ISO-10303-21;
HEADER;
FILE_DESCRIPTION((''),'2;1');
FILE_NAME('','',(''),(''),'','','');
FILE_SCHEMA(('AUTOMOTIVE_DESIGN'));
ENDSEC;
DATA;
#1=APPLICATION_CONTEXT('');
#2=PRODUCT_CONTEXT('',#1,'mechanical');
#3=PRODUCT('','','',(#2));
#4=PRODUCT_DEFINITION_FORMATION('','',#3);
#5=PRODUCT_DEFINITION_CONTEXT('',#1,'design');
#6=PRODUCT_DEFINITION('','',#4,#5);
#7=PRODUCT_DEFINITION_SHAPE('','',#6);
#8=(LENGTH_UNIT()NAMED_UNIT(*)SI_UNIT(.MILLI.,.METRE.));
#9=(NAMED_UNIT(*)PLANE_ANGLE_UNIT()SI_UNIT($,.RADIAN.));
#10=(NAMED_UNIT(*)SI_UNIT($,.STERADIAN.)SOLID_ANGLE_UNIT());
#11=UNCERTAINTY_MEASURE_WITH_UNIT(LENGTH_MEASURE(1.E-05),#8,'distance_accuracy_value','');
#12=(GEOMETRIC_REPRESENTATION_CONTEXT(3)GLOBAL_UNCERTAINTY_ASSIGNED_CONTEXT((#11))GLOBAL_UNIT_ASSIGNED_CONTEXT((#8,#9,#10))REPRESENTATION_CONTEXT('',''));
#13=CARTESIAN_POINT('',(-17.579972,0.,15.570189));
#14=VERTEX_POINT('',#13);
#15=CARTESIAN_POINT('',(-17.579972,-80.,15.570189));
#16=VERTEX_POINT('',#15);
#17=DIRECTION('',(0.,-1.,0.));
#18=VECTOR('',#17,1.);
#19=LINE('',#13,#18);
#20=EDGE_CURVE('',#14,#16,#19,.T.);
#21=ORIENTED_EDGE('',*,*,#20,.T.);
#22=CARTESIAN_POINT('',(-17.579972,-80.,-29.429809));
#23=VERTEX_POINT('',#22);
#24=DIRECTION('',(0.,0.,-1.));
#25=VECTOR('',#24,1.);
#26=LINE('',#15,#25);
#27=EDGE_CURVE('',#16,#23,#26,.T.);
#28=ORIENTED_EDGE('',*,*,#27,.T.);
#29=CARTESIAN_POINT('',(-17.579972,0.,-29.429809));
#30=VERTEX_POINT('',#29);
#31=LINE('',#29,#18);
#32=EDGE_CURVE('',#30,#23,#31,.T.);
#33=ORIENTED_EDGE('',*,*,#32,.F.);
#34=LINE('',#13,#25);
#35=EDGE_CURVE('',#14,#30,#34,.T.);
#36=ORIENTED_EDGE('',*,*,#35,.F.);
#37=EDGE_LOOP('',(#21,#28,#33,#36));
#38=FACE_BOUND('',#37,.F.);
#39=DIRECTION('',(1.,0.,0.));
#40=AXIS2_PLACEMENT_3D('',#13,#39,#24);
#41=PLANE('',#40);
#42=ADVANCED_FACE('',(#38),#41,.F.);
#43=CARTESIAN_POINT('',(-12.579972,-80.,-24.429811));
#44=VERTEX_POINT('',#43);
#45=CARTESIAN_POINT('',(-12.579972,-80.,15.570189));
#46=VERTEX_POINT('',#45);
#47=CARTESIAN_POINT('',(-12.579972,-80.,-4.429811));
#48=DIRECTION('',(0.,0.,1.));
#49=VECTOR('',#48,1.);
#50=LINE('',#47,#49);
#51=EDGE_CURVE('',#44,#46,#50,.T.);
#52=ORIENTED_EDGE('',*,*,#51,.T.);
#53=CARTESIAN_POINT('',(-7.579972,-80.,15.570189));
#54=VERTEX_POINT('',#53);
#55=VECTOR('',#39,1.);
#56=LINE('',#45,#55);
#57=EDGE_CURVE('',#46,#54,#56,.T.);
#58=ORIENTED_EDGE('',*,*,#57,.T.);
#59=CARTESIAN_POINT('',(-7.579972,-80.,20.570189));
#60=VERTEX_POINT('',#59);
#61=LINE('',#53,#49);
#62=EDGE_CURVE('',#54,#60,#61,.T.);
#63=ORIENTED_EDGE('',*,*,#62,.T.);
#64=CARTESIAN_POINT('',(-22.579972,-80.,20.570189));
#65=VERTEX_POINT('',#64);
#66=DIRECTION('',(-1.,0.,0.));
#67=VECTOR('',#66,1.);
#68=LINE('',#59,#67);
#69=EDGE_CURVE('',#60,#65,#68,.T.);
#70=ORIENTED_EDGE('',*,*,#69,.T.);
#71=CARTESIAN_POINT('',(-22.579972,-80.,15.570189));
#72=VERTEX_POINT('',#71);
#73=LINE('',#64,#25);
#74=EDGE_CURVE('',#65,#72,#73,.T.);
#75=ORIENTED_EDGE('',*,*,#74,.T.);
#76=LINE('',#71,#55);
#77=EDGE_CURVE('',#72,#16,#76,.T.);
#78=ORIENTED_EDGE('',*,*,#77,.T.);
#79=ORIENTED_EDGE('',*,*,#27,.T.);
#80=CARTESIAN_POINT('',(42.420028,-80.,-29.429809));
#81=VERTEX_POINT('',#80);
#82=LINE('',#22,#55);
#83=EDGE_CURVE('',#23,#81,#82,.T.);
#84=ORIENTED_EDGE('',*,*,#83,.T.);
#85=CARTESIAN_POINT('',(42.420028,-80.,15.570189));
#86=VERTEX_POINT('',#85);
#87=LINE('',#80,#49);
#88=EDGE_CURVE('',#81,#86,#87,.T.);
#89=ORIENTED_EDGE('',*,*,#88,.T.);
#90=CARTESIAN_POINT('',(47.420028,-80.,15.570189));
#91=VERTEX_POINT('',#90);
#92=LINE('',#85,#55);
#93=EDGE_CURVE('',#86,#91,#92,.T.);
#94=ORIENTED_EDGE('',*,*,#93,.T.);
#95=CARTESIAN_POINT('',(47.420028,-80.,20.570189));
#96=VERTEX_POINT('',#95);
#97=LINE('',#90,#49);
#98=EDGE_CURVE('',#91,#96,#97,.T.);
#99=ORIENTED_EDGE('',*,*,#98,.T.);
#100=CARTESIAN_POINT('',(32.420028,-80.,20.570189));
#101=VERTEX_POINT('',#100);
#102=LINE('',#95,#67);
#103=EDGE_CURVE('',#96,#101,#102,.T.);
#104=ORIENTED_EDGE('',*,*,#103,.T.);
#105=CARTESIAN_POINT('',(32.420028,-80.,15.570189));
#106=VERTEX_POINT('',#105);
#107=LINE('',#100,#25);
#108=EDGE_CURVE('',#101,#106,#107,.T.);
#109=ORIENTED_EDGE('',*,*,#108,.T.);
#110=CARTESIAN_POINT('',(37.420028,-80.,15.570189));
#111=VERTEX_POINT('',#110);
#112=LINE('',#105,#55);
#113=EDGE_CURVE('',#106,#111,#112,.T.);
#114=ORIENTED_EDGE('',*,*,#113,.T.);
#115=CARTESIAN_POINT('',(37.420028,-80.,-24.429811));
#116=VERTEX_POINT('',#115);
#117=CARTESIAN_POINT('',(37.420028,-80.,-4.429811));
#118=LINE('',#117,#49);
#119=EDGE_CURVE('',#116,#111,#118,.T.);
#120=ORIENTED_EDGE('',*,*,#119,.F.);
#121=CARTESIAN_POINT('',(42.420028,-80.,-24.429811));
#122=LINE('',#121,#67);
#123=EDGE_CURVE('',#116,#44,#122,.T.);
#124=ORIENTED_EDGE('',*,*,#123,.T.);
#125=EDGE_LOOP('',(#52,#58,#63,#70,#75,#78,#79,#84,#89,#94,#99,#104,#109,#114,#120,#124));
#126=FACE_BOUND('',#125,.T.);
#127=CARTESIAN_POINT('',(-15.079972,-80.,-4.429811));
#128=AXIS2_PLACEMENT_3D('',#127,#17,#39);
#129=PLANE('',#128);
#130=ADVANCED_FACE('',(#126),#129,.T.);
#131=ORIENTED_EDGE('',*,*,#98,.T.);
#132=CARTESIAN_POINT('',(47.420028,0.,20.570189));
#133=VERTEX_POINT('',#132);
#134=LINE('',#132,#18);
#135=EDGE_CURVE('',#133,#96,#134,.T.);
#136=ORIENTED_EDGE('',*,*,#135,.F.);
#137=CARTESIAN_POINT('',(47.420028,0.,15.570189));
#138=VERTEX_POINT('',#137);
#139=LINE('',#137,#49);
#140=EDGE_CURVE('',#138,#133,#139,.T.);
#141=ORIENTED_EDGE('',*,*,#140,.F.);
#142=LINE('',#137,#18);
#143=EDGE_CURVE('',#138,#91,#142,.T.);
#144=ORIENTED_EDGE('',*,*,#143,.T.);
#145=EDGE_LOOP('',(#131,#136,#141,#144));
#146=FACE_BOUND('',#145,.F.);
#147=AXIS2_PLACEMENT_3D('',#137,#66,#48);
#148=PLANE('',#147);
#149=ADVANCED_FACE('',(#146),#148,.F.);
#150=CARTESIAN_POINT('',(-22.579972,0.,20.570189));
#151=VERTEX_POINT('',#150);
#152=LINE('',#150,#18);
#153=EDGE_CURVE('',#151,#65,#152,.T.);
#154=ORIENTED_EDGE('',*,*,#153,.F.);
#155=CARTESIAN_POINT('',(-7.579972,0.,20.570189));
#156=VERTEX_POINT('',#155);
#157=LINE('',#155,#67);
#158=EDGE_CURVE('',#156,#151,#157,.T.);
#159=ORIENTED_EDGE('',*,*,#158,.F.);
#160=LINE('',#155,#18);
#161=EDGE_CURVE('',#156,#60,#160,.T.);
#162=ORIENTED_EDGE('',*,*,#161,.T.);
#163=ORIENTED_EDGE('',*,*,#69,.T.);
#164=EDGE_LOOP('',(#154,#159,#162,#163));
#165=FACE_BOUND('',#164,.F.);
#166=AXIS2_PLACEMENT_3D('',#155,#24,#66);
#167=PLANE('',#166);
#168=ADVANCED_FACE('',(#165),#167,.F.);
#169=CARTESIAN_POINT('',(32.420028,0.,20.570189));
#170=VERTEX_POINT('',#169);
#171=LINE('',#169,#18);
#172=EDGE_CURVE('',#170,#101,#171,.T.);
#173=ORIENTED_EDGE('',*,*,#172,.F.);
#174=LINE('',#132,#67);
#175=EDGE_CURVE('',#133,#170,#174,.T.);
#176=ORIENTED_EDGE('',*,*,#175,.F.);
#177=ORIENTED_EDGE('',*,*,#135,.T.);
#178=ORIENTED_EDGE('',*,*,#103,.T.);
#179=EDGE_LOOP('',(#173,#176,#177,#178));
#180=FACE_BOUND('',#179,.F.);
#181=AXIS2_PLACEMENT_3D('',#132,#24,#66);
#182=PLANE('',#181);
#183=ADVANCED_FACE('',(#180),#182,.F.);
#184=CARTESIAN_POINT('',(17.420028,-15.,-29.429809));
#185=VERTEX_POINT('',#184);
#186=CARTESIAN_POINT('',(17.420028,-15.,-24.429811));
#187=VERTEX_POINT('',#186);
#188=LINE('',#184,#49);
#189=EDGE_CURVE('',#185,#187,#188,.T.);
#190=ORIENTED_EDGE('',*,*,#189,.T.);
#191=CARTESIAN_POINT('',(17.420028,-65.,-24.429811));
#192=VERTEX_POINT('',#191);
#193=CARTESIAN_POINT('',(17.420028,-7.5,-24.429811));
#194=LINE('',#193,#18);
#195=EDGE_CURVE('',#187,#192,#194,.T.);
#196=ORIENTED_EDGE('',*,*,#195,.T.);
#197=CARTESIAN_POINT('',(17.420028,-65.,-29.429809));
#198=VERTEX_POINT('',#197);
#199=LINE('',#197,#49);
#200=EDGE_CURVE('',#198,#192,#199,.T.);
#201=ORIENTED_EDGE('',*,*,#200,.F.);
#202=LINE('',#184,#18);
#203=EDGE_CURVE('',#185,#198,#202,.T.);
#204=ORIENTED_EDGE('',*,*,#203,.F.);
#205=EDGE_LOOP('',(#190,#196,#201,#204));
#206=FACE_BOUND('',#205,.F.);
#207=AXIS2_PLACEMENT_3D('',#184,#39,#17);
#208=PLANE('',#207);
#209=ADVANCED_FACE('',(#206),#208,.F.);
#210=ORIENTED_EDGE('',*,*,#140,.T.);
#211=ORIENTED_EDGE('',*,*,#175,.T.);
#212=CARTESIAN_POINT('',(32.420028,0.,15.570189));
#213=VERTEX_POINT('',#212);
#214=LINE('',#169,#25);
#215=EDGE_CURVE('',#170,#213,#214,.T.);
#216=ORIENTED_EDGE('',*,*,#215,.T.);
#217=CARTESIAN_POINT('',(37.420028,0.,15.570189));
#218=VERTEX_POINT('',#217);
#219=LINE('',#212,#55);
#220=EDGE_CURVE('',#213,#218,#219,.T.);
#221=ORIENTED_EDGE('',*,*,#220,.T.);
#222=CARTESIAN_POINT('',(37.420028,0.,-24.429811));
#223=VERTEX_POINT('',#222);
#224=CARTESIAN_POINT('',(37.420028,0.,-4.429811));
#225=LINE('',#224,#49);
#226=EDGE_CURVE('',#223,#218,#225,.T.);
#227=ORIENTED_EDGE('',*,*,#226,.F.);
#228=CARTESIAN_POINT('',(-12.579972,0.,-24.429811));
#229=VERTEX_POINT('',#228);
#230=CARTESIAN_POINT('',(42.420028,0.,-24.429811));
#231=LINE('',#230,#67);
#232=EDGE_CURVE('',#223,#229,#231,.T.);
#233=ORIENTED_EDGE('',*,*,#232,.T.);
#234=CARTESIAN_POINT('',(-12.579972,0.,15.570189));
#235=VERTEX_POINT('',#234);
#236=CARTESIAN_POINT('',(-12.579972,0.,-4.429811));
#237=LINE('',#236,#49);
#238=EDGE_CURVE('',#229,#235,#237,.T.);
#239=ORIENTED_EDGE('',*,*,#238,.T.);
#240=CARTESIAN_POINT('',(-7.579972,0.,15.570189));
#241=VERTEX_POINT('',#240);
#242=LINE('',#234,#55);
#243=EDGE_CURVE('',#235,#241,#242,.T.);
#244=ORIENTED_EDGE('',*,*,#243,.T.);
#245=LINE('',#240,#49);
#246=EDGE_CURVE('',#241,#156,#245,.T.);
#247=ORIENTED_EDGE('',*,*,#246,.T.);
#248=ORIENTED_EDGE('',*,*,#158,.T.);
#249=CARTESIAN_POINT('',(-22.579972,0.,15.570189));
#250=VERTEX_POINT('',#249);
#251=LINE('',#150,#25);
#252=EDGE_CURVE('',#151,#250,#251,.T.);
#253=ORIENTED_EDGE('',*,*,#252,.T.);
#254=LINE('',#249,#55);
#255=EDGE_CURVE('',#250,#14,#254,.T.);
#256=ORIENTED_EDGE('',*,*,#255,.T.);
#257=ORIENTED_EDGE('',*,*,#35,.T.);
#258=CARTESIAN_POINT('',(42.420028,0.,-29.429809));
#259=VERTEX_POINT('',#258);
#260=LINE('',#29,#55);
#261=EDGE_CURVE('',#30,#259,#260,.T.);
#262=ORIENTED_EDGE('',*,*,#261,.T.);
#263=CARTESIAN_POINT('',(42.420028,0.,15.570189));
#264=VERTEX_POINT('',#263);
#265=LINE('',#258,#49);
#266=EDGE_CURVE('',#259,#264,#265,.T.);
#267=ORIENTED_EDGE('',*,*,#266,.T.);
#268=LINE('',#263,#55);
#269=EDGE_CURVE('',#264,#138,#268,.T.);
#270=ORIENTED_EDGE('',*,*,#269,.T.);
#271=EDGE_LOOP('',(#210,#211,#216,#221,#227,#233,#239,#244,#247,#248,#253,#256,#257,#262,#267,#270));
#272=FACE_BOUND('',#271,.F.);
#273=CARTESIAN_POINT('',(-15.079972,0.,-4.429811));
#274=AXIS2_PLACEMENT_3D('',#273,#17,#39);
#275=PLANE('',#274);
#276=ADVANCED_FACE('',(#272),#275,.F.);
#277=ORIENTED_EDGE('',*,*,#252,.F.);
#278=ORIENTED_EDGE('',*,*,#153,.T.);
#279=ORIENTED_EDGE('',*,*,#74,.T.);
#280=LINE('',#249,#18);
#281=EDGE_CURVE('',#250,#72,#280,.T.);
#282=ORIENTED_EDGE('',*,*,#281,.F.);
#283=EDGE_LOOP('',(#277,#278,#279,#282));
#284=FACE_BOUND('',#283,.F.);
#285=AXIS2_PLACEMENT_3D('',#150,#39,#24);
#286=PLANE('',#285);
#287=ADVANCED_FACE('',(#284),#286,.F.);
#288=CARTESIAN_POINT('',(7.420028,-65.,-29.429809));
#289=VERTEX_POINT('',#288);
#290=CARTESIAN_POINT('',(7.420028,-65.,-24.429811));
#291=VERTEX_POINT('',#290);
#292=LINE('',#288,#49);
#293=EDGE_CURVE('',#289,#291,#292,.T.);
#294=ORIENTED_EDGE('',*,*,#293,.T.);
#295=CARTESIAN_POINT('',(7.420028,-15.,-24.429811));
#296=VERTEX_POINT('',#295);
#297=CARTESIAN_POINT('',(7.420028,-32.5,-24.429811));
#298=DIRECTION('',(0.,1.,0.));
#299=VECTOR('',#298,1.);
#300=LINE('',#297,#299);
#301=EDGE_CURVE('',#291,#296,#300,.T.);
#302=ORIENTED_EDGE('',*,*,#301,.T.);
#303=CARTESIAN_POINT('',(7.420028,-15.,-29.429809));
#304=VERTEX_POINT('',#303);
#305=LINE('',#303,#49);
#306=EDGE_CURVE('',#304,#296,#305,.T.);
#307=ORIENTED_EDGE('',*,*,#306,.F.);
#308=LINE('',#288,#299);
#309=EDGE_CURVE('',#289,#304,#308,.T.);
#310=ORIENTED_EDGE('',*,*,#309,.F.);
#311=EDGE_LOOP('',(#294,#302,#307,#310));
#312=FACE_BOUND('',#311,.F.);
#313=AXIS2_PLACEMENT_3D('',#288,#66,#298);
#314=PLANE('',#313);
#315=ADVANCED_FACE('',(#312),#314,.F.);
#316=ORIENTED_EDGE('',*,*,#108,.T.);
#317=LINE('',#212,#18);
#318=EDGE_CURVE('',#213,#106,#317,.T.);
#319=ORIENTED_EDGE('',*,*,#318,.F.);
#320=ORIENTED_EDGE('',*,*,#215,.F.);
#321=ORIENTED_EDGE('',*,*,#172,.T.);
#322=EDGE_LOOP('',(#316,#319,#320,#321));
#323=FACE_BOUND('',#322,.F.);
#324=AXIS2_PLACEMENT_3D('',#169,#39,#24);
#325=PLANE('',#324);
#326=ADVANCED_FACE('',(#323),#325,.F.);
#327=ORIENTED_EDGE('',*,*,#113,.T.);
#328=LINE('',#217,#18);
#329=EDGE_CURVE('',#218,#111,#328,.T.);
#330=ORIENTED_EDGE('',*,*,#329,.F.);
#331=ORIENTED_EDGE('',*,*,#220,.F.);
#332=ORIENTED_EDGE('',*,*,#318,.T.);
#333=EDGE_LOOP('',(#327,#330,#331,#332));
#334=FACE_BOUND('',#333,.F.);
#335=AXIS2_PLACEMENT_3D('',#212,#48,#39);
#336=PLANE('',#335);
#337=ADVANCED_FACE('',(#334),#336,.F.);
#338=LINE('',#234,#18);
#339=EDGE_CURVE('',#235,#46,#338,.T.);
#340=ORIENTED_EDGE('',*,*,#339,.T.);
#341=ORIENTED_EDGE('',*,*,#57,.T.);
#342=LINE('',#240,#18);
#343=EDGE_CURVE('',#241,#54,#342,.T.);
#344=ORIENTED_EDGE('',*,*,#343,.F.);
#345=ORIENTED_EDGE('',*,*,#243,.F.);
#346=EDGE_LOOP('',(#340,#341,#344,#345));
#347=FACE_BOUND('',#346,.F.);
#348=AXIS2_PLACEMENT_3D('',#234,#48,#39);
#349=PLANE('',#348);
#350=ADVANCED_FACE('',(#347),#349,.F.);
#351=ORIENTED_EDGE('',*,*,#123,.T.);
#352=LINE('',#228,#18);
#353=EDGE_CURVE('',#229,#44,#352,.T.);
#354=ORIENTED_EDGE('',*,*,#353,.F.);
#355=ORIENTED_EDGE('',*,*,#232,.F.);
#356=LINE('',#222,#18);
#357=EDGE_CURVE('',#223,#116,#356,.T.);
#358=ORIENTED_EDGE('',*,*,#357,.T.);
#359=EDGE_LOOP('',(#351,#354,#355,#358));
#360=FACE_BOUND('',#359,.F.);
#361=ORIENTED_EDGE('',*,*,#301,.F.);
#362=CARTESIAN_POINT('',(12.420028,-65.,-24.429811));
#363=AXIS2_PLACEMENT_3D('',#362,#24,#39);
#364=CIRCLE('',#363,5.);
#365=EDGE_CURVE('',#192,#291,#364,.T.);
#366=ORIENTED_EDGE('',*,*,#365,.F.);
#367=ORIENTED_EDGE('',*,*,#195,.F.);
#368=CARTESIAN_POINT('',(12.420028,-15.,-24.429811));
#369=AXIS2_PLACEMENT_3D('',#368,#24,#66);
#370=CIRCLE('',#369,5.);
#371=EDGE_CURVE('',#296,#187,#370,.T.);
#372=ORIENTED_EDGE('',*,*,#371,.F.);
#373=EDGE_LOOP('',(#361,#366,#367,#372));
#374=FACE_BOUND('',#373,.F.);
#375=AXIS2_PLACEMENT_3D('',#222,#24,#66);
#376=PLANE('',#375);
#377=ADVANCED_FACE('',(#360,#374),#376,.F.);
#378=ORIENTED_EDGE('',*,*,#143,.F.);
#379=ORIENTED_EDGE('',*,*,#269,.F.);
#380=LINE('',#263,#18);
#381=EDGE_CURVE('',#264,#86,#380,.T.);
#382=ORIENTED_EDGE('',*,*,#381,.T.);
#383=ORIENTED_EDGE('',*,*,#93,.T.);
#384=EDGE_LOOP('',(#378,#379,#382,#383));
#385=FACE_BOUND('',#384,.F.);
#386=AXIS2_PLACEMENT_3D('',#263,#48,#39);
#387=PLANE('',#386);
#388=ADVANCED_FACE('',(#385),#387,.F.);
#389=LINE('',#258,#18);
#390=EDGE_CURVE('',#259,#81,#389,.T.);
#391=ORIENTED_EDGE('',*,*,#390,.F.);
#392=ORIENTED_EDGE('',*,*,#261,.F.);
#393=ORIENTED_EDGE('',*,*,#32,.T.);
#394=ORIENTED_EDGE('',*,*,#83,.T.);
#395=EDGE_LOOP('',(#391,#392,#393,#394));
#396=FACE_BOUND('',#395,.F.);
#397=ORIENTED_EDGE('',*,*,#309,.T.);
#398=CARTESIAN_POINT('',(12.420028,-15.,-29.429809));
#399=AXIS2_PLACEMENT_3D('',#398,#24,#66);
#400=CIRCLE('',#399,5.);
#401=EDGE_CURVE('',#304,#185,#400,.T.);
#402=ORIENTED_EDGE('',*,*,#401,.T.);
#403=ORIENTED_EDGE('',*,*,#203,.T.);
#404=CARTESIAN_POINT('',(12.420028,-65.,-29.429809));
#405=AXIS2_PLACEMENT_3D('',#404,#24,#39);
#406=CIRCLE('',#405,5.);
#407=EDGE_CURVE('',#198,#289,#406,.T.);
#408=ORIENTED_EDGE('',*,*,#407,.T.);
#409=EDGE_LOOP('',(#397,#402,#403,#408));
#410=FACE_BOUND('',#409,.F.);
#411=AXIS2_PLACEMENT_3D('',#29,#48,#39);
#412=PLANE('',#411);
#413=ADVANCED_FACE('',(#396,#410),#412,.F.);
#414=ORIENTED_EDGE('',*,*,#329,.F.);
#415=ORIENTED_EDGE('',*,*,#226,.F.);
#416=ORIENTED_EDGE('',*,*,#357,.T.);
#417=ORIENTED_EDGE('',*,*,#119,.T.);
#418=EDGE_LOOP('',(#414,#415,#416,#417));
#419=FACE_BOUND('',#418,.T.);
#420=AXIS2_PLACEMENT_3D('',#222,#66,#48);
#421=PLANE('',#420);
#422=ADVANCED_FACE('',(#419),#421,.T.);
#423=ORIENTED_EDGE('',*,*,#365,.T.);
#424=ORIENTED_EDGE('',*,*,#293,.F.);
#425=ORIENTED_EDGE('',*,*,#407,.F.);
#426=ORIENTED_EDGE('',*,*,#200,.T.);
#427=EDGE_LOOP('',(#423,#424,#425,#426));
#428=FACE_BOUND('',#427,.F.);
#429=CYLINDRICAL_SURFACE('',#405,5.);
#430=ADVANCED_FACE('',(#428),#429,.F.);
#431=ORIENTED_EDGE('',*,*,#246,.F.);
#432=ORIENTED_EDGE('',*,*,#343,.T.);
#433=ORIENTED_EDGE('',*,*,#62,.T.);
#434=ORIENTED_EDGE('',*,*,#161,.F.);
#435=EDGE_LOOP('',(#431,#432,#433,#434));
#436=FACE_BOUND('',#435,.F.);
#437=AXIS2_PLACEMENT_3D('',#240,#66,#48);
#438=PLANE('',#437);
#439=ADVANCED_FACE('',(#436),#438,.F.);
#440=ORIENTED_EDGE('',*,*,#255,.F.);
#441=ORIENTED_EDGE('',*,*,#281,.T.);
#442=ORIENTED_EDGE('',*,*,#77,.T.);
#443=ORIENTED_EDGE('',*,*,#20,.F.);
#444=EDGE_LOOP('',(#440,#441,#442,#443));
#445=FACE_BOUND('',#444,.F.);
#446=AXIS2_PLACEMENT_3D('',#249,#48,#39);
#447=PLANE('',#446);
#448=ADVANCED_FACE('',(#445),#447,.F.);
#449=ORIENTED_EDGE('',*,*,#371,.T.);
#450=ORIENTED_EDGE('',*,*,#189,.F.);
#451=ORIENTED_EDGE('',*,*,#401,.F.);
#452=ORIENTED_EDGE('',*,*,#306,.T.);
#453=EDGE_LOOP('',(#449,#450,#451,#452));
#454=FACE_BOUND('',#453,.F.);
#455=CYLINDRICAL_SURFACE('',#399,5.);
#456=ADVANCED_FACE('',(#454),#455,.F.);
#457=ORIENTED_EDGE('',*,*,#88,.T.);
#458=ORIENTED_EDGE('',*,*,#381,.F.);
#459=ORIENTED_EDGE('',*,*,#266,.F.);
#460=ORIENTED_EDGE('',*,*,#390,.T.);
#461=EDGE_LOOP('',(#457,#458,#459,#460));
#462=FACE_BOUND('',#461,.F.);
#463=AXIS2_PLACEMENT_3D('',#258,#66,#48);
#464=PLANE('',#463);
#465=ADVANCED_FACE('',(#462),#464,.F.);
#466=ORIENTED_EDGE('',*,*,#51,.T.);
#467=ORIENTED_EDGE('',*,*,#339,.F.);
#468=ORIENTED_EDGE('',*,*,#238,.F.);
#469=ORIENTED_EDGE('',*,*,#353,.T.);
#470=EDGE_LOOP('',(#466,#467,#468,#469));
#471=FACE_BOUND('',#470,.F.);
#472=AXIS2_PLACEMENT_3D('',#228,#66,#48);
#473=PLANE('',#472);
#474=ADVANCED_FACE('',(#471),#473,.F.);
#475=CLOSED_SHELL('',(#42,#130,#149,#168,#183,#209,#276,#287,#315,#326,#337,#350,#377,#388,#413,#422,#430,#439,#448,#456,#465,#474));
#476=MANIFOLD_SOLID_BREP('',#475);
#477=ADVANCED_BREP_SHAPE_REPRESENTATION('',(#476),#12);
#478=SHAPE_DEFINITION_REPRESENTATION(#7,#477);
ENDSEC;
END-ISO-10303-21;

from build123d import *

# Parameters (mm, degrees)
F0_W     = 5
F0_H     = 40
F1_DEPTH = 80
F3_DEPTH = 25


with BuildPart() as f1:
    # F0 (on Front) → F1 (new body)
    with BuildSketch(Plane.XZ):
        with Locations((-15.079972, -4.429811)):
            Rectangle(F0_W, F0_H)
        Polygon((-12.579972, -24.429811), (-17.579972, -24.429811), (-17.579972, -29.429809), (42.420028, -29.429809), (42.420028, -24.429811), (37.420028, -24.429811), align=None)
        Polygon((-22.579972, 15.570189), (-17.579972, 15.570189), (-12.579972, 15.570189), (-7.579972, 15.570189), (-7.579972, 20.570189), (-22.579972, 20.570189), align=None)
        with Locations((39.920028, -4.429811)):
            Rectangle(F0_W, F0_H)
        Polygon((32.420028, 15.570189), (37.420028, 15.570189), (42.420028, 15.570189), (47.420028, 15.570189), (47.420028, 20.570189), (32.420028, 20.570189), align=None)
    extrude(amount=F1_DEPTH)

    # F2 (on face) → F3 (cut)
    with BuildSketch(Plane(origin=(0, 0, -29.429809), x_dir=(1, 0, 0), z_dir=(0, 0, -1))):
        with BuildLine():
            ThreePointArc((17.420028, 65), (12.420028, 70), (7.420028, 65))
            Line((7.420028, 65), (7.420028, 15))
            ThreePointArc((7.420028, 15), (12.420028, 10), (17.420028, 15))
            Line((17.420028, 15), (17.420028, 65))
        make_face()
    extrude(amount=-F3_DEPTH, mode=Mode.SUBTRACT)


solid = f1.part
